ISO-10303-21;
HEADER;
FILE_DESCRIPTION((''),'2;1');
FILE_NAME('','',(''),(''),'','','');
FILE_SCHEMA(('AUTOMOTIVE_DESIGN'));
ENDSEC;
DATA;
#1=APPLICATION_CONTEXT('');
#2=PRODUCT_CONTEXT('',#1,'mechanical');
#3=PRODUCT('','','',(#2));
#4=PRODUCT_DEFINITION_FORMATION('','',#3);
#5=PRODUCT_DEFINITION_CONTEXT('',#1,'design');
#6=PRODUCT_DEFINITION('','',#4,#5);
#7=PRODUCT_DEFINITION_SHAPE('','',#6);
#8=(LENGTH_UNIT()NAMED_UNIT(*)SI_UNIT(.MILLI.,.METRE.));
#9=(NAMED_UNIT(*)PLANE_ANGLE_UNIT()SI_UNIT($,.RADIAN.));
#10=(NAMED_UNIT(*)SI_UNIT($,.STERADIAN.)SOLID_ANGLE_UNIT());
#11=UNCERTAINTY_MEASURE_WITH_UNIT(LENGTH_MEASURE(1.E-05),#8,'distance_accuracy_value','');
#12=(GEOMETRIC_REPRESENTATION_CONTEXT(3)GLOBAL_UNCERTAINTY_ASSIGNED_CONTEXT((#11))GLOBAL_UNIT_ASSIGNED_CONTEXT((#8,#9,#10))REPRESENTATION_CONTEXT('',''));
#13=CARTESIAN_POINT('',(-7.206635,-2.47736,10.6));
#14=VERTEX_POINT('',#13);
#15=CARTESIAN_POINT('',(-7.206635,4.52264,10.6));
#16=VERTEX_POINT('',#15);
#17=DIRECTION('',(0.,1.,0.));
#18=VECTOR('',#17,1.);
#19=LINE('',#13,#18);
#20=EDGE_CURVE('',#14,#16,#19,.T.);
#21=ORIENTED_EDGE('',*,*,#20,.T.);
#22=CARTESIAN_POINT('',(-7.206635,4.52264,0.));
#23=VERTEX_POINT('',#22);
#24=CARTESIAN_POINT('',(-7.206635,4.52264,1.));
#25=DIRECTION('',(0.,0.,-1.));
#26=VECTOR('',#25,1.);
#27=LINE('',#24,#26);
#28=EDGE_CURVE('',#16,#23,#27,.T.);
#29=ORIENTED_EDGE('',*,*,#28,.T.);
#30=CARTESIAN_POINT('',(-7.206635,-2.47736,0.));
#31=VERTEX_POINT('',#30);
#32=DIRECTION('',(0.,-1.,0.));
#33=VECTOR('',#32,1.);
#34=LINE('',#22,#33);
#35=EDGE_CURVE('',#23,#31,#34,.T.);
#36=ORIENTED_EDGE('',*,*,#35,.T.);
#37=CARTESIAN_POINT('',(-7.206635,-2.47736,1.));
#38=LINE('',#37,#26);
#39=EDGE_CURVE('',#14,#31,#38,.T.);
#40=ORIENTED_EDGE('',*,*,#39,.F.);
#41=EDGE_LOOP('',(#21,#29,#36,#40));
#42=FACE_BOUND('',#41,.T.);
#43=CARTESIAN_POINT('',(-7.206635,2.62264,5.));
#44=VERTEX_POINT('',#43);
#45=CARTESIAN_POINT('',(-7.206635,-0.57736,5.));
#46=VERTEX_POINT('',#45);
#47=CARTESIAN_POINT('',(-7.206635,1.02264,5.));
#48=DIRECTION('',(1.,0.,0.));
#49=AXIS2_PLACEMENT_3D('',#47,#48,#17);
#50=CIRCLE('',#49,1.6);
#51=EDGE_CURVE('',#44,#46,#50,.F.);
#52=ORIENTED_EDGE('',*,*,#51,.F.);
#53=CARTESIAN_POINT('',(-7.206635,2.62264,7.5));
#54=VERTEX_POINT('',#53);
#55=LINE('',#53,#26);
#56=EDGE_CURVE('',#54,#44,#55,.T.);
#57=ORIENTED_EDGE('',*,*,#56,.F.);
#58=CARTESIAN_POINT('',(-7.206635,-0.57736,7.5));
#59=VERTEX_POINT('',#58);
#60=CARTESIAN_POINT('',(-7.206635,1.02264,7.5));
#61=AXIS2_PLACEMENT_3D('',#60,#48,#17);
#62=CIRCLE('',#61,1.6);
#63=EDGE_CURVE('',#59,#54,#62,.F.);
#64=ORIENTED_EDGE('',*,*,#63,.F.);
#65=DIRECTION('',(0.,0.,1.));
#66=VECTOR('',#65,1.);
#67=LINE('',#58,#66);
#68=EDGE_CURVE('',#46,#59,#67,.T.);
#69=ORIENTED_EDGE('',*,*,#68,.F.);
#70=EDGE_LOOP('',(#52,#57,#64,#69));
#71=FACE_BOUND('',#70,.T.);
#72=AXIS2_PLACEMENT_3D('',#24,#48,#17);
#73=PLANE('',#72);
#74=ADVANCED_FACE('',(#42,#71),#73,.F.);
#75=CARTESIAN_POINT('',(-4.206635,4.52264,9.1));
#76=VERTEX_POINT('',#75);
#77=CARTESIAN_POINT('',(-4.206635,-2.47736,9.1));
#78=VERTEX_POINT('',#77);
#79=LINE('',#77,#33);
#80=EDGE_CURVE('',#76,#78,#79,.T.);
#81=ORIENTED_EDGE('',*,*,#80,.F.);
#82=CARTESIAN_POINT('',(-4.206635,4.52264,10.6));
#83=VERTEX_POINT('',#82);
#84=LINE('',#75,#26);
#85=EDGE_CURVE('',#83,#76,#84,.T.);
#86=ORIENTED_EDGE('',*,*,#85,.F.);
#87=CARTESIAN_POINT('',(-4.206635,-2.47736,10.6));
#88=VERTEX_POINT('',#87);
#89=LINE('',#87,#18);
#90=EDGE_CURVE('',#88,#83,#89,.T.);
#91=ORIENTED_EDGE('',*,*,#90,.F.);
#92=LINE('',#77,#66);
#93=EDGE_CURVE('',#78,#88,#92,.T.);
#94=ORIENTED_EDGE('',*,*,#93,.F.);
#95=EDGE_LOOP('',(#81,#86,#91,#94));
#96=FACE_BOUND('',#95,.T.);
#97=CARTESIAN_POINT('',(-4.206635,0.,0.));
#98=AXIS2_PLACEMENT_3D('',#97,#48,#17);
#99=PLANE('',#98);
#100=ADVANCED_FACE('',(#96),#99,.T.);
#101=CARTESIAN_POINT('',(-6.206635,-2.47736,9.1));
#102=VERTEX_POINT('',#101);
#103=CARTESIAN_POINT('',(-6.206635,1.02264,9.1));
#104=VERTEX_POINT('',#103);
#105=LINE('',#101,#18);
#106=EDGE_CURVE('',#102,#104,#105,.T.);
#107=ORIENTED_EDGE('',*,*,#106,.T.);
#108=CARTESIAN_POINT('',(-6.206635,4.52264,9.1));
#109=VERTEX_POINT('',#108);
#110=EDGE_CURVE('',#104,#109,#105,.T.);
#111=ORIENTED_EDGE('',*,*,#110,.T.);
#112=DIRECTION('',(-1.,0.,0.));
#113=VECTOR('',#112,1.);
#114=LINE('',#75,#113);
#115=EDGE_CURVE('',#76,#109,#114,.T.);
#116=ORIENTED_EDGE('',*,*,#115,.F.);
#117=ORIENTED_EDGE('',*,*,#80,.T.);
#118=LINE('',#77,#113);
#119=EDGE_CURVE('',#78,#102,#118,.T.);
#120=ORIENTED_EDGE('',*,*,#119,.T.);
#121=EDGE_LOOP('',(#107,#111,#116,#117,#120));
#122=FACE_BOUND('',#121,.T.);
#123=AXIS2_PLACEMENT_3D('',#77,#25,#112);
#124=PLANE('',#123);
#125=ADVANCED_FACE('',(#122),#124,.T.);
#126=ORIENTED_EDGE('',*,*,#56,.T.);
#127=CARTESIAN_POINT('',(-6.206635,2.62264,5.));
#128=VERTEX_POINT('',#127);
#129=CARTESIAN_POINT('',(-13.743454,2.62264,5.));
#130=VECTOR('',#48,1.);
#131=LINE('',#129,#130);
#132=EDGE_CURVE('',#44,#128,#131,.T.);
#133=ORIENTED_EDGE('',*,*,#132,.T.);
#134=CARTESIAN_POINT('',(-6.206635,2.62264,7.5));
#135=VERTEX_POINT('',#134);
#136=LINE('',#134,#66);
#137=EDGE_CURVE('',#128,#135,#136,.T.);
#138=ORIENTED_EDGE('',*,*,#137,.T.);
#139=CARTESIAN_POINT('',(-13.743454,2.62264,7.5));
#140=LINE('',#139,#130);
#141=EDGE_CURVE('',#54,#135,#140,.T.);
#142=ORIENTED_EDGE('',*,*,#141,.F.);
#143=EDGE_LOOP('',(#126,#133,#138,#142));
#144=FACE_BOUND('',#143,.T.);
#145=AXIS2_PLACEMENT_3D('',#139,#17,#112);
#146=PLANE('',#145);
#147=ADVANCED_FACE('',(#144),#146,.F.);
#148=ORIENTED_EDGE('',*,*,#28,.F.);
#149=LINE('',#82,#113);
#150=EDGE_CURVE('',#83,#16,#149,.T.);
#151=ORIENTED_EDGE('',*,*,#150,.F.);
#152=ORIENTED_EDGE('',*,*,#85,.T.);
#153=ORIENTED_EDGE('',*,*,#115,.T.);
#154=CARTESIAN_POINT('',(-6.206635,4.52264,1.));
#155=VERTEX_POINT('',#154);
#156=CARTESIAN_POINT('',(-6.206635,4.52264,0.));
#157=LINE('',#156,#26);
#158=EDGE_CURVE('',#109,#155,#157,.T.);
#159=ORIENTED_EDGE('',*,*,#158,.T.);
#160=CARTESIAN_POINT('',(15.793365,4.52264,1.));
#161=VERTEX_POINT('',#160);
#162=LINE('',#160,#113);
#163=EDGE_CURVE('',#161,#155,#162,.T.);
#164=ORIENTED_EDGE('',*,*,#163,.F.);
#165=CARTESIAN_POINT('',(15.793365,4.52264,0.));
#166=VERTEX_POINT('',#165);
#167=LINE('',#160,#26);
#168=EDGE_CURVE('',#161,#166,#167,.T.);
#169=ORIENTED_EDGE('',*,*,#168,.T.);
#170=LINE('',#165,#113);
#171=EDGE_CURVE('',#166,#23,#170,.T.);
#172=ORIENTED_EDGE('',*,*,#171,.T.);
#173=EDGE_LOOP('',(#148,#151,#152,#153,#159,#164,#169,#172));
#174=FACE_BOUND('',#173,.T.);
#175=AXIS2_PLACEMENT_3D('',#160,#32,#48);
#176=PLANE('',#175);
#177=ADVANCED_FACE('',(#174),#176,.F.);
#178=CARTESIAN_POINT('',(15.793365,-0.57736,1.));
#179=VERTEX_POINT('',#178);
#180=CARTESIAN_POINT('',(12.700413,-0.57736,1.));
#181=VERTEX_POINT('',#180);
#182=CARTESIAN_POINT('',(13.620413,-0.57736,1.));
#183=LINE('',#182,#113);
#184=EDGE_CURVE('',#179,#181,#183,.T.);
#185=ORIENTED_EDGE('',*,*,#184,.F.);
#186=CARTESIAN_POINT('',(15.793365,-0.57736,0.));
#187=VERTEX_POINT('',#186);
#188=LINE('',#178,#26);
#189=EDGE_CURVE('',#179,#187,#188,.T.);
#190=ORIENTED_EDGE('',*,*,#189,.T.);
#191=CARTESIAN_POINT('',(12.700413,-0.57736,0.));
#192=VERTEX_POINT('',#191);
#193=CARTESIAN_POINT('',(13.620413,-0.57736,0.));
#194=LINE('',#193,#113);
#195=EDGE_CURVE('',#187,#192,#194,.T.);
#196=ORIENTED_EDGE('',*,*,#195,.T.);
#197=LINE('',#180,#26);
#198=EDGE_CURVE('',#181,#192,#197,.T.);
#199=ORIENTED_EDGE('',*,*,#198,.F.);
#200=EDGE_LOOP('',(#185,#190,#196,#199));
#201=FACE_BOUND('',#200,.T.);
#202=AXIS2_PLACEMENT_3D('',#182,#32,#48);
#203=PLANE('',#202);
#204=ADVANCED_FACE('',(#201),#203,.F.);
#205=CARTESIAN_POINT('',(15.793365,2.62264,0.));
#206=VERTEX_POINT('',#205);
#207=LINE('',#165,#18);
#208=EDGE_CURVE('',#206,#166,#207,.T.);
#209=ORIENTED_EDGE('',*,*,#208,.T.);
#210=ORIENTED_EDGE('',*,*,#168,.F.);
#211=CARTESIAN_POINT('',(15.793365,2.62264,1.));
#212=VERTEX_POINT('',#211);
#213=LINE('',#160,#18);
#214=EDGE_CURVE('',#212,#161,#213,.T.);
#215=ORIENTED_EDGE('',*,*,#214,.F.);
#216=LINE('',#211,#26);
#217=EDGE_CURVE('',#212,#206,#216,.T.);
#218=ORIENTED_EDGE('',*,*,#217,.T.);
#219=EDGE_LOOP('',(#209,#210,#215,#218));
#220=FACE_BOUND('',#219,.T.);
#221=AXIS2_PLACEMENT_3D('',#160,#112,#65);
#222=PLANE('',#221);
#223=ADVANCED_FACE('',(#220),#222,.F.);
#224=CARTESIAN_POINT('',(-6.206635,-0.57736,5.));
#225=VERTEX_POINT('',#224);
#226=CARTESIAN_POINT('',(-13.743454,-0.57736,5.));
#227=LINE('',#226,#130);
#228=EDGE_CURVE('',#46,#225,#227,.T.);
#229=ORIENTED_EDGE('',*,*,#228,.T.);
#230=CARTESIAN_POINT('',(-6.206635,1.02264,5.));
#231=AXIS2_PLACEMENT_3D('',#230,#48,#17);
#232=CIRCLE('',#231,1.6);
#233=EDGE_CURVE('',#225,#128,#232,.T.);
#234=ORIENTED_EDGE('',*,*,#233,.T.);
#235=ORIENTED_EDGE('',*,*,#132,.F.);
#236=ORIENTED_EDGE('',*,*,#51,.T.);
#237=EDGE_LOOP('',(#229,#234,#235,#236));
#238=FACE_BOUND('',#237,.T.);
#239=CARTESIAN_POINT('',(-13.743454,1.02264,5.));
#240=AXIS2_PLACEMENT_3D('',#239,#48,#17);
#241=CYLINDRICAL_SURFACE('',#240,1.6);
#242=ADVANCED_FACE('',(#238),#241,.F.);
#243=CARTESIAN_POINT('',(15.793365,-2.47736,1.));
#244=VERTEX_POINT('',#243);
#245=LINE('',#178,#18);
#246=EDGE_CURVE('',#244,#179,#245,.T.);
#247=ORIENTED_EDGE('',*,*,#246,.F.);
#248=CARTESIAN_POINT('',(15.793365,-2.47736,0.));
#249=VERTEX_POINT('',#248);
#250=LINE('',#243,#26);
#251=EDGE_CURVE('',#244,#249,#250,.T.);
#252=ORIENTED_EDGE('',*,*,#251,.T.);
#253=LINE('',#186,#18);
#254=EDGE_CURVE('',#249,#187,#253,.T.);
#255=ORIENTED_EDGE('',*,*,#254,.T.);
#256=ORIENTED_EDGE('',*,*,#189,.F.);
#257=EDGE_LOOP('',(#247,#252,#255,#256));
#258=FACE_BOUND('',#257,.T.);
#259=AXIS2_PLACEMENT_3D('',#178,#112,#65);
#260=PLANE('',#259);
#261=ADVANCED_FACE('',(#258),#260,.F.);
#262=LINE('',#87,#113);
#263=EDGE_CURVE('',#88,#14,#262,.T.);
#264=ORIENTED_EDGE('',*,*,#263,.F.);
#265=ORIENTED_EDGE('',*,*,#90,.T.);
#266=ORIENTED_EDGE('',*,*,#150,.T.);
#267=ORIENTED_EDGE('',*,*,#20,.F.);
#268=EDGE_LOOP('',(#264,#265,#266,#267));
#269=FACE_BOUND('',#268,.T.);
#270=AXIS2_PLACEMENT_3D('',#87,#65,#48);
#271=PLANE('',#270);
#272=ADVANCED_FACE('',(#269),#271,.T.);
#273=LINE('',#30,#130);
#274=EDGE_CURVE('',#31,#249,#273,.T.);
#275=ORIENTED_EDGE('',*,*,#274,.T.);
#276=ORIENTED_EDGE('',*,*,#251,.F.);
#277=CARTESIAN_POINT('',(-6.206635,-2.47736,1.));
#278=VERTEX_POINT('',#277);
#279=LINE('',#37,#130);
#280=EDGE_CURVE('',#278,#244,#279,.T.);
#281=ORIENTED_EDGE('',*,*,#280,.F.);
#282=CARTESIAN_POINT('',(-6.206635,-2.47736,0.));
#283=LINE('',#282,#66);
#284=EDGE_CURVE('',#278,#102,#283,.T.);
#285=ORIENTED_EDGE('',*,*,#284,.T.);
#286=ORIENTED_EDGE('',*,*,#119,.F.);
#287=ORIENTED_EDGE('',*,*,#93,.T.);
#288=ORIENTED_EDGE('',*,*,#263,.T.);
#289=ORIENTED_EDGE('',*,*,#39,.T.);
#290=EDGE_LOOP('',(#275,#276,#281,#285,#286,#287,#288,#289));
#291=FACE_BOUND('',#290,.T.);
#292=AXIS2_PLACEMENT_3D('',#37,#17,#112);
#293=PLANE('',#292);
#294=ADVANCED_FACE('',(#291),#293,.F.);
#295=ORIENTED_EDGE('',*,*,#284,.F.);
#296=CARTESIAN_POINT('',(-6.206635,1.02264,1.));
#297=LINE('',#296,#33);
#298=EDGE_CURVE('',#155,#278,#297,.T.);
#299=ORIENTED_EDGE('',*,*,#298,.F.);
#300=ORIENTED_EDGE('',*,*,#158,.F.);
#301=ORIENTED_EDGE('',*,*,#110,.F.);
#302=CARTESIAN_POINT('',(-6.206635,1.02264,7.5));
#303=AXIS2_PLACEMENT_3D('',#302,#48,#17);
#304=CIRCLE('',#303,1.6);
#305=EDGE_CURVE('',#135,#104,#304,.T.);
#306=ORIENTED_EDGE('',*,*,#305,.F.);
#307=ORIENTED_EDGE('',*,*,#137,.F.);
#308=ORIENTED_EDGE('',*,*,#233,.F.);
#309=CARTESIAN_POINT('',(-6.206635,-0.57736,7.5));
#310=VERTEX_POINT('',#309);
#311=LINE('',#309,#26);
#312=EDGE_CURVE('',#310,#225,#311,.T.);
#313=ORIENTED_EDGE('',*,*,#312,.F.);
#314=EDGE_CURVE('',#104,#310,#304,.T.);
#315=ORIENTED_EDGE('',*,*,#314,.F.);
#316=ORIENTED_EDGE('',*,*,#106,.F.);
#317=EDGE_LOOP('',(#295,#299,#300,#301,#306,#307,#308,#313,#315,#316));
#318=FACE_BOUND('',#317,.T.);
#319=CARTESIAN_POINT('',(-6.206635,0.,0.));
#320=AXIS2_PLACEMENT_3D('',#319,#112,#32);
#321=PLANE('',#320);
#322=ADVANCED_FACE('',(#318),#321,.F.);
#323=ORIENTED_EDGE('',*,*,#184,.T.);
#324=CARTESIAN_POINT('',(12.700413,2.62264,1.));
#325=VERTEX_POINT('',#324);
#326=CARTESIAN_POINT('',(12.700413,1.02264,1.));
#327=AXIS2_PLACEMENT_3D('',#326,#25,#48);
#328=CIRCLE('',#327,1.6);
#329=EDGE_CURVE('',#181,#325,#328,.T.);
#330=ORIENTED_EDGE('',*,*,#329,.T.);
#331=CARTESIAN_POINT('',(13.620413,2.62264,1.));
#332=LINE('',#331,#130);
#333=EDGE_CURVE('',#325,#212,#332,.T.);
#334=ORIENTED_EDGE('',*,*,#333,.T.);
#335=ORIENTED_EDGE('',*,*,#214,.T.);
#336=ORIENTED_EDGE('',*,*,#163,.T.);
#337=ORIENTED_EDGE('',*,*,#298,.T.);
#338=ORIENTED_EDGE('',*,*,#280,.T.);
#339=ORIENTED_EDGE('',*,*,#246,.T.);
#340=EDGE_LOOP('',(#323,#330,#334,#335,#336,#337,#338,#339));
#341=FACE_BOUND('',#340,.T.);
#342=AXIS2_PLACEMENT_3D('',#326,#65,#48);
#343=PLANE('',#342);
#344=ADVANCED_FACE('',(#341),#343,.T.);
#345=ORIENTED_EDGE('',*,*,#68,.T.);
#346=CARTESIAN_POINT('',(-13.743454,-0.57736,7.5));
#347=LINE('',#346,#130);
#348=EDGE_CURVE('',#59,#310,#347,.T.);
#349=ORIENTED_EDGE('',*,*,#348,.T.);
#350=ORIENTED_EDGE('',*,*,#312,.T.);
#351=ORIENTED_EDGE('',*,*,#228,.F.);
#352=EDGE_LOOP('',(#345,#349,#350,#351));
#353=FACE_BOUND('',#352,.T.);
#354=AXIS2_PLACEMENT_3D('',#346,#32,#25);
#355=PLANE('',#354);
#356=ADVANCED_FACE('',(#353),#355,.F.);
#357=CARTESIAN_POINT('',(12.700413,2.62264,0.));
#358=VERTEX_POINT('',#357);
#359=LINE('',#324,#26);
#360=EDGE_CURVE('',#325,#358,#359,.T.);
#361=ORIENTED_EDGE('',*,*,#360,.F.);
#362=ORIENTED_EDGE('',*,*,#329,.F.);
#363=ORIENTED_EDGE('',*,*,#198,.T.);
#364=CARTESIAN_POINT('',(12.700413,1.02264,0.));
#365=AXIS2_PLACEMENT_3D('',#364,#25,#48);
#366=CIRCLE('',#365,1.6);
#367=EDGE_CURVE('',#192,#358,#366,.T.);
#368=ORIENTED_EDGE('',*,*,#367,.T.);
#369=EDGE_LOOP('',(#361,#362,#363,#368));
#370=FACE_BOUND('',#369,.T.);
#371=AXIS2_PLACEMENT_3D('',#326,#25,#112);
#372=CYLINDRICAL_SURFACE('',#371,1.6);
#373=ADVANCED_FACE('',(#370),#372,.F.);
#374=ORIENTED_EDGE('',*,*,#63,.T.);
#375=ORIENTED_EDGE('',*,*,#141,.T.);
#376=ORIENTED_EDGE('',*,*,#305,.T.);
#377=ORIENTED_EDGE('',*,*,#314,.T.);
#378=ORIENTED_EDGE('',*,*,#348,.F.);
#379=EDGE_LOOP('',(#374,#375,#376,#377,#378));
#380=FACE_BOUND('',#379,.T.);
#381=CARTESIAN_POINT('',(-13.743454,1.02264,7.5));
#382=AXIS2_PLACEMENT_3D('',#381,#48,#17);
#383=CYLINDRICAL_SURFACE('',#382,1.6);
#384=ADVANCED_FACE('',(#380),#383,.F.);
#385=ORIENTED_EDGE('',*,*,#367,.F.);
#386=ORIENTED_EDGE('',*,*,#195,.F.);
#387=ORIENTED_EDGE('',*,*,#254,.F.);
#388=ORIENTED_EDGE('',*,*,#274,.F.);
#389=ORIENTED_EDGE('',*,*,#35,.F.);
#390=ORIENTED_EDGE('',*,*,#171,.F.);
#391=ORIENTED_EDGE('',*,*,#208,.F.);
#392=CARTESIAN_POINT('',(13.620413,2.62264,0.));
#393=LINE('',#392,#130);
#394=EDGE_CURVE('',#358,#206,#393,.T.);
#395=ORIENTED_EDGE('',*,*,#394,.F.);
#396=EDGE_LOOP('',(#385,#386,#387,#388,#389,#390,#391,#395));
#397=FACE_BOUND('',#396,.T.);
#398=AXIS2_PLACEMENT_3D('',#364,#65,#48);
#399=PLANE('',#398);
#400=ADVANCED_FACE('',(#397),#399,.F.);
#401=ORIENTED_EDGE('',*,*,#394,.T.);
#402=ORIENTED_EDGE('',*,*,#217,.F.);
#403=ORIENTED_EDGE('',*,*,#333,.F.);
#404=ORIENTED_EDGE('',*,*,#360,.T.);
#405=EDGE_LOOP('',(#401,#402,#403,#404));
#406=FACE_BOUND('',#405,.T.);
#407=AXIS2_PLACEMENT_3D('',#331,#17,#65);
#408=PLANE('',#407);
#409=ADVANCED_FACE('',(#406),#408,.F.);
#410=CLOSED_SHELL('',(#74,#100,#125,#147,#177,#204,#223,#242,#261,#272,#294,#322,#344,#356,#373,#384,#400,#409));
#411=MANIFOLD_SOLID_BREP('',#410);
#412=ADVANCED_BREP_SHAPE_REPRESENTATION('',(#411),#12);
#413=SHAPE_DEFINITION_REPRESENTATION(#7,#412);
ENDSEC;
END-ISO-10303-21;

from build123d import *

# Parameters (mm, degrees)
DODANIE_WYCI_GNI_CIE1_DEPTH = 1
SZKIC12_W                   = 9.1
SZKIC12_H                   = 7
DODANIE_WYCI_GNI_CIE2_DEPTH = 1
SZKIC15_W                   = 1.5
SZKIC15_H                   = 7
DODANIE_WYCI_GNI_CIE3_DEPTH = 3
WYTNIJ_WYCI_GNI_CIE1_DEPTH  = 1


with BuildPart() as part:
    # Szkic1 → Dodanie-wyciągnięcie1 (new body)
    with BuildSketch(Plane.XY):
        with BuildLine():
            Line((-7.206635208, 4.522640333), (-7.206635208, -2.477359667))
            Line((-7.206635208, -2.477359667), (15.793364792, -2.477359667))
            Line((15.793364792, -2.477359667), (15.793364792, -0.577359667))
            Line((15.793364792, -0.577359667), (13.620412834, -0.577359667))
            Line((13.620412834, -0.577359667), (12.700412834, -0.577359667))
            ThreePointArc((12.700412834, -0.577359667), (11.100412834, 1.022640333), (12.700412834, 2.622640333))
            Line((12.700412834, 2.622640333), (13.620412834, 2.622640333))
            Line((13.620412834, 2.622640333), (15.793364792, 2.622640333))
            Line((15.793364792, 2.622640333), (15.793364792, 4.522640333))
            Line((15.793364792, 4.522640333), (-7.206635208, 4.522640333))
        make_face()
    extrude(amount=DODANIE_WYCI_GNI_CIE1_DEPTH)

    # Szkic12 → Dodanie-wyciągnięcie2 (add)
    with BuildSketch(Plane.ZY.offset(7.206635208)):
        with Locations((4.55, 1.022640333)):
            Rectangle(SZKIC12_W, SZKIC12_H)
    extrude(amount=-DODANIE_WYCI_GNI_CIE2_DEPTH)

    # Szkic15 → Dodanie-wyciągnięcie3 (add)
    with BuildSketch(Plane.ZY.offset(7.206635208)):
        with Locations((9.85, 1.022640333)):
            Rectangle(SZKIC15_W, SZKIC15_H)
    extrude(amount=-DODANIE_WYCI_GNI_CIE3_DEPTH)

    # Szkic16 → Wytnij-wyciągnięcie1 (cut)
    with BuildSketch(Plane(origin=(-6.206635208, 0, 0), x_dir=(0, 0, -1), z_dir=(1, 0, 0))):
        with BuildLine():
            Line((-7.5, -0.577359667), (-5, -0.577359667))
            ThreePointArc((-5, -0.577359667), (-3.4, 1.022640333), (-5, 2.622640333))
            Line((-5, 2.622640333), (-7.5, 2.622640333))
            ThreePointArc((-7.5, 2.622640333), (-9.1, 1.022640333), (-7.5, -0.577359667))
        make_face()
    extrude(amount=-WYTNIJ_WYCI_GNI_CIE1_DEPTH, mode=Mode.SUBTRACT)


solid = part.part
